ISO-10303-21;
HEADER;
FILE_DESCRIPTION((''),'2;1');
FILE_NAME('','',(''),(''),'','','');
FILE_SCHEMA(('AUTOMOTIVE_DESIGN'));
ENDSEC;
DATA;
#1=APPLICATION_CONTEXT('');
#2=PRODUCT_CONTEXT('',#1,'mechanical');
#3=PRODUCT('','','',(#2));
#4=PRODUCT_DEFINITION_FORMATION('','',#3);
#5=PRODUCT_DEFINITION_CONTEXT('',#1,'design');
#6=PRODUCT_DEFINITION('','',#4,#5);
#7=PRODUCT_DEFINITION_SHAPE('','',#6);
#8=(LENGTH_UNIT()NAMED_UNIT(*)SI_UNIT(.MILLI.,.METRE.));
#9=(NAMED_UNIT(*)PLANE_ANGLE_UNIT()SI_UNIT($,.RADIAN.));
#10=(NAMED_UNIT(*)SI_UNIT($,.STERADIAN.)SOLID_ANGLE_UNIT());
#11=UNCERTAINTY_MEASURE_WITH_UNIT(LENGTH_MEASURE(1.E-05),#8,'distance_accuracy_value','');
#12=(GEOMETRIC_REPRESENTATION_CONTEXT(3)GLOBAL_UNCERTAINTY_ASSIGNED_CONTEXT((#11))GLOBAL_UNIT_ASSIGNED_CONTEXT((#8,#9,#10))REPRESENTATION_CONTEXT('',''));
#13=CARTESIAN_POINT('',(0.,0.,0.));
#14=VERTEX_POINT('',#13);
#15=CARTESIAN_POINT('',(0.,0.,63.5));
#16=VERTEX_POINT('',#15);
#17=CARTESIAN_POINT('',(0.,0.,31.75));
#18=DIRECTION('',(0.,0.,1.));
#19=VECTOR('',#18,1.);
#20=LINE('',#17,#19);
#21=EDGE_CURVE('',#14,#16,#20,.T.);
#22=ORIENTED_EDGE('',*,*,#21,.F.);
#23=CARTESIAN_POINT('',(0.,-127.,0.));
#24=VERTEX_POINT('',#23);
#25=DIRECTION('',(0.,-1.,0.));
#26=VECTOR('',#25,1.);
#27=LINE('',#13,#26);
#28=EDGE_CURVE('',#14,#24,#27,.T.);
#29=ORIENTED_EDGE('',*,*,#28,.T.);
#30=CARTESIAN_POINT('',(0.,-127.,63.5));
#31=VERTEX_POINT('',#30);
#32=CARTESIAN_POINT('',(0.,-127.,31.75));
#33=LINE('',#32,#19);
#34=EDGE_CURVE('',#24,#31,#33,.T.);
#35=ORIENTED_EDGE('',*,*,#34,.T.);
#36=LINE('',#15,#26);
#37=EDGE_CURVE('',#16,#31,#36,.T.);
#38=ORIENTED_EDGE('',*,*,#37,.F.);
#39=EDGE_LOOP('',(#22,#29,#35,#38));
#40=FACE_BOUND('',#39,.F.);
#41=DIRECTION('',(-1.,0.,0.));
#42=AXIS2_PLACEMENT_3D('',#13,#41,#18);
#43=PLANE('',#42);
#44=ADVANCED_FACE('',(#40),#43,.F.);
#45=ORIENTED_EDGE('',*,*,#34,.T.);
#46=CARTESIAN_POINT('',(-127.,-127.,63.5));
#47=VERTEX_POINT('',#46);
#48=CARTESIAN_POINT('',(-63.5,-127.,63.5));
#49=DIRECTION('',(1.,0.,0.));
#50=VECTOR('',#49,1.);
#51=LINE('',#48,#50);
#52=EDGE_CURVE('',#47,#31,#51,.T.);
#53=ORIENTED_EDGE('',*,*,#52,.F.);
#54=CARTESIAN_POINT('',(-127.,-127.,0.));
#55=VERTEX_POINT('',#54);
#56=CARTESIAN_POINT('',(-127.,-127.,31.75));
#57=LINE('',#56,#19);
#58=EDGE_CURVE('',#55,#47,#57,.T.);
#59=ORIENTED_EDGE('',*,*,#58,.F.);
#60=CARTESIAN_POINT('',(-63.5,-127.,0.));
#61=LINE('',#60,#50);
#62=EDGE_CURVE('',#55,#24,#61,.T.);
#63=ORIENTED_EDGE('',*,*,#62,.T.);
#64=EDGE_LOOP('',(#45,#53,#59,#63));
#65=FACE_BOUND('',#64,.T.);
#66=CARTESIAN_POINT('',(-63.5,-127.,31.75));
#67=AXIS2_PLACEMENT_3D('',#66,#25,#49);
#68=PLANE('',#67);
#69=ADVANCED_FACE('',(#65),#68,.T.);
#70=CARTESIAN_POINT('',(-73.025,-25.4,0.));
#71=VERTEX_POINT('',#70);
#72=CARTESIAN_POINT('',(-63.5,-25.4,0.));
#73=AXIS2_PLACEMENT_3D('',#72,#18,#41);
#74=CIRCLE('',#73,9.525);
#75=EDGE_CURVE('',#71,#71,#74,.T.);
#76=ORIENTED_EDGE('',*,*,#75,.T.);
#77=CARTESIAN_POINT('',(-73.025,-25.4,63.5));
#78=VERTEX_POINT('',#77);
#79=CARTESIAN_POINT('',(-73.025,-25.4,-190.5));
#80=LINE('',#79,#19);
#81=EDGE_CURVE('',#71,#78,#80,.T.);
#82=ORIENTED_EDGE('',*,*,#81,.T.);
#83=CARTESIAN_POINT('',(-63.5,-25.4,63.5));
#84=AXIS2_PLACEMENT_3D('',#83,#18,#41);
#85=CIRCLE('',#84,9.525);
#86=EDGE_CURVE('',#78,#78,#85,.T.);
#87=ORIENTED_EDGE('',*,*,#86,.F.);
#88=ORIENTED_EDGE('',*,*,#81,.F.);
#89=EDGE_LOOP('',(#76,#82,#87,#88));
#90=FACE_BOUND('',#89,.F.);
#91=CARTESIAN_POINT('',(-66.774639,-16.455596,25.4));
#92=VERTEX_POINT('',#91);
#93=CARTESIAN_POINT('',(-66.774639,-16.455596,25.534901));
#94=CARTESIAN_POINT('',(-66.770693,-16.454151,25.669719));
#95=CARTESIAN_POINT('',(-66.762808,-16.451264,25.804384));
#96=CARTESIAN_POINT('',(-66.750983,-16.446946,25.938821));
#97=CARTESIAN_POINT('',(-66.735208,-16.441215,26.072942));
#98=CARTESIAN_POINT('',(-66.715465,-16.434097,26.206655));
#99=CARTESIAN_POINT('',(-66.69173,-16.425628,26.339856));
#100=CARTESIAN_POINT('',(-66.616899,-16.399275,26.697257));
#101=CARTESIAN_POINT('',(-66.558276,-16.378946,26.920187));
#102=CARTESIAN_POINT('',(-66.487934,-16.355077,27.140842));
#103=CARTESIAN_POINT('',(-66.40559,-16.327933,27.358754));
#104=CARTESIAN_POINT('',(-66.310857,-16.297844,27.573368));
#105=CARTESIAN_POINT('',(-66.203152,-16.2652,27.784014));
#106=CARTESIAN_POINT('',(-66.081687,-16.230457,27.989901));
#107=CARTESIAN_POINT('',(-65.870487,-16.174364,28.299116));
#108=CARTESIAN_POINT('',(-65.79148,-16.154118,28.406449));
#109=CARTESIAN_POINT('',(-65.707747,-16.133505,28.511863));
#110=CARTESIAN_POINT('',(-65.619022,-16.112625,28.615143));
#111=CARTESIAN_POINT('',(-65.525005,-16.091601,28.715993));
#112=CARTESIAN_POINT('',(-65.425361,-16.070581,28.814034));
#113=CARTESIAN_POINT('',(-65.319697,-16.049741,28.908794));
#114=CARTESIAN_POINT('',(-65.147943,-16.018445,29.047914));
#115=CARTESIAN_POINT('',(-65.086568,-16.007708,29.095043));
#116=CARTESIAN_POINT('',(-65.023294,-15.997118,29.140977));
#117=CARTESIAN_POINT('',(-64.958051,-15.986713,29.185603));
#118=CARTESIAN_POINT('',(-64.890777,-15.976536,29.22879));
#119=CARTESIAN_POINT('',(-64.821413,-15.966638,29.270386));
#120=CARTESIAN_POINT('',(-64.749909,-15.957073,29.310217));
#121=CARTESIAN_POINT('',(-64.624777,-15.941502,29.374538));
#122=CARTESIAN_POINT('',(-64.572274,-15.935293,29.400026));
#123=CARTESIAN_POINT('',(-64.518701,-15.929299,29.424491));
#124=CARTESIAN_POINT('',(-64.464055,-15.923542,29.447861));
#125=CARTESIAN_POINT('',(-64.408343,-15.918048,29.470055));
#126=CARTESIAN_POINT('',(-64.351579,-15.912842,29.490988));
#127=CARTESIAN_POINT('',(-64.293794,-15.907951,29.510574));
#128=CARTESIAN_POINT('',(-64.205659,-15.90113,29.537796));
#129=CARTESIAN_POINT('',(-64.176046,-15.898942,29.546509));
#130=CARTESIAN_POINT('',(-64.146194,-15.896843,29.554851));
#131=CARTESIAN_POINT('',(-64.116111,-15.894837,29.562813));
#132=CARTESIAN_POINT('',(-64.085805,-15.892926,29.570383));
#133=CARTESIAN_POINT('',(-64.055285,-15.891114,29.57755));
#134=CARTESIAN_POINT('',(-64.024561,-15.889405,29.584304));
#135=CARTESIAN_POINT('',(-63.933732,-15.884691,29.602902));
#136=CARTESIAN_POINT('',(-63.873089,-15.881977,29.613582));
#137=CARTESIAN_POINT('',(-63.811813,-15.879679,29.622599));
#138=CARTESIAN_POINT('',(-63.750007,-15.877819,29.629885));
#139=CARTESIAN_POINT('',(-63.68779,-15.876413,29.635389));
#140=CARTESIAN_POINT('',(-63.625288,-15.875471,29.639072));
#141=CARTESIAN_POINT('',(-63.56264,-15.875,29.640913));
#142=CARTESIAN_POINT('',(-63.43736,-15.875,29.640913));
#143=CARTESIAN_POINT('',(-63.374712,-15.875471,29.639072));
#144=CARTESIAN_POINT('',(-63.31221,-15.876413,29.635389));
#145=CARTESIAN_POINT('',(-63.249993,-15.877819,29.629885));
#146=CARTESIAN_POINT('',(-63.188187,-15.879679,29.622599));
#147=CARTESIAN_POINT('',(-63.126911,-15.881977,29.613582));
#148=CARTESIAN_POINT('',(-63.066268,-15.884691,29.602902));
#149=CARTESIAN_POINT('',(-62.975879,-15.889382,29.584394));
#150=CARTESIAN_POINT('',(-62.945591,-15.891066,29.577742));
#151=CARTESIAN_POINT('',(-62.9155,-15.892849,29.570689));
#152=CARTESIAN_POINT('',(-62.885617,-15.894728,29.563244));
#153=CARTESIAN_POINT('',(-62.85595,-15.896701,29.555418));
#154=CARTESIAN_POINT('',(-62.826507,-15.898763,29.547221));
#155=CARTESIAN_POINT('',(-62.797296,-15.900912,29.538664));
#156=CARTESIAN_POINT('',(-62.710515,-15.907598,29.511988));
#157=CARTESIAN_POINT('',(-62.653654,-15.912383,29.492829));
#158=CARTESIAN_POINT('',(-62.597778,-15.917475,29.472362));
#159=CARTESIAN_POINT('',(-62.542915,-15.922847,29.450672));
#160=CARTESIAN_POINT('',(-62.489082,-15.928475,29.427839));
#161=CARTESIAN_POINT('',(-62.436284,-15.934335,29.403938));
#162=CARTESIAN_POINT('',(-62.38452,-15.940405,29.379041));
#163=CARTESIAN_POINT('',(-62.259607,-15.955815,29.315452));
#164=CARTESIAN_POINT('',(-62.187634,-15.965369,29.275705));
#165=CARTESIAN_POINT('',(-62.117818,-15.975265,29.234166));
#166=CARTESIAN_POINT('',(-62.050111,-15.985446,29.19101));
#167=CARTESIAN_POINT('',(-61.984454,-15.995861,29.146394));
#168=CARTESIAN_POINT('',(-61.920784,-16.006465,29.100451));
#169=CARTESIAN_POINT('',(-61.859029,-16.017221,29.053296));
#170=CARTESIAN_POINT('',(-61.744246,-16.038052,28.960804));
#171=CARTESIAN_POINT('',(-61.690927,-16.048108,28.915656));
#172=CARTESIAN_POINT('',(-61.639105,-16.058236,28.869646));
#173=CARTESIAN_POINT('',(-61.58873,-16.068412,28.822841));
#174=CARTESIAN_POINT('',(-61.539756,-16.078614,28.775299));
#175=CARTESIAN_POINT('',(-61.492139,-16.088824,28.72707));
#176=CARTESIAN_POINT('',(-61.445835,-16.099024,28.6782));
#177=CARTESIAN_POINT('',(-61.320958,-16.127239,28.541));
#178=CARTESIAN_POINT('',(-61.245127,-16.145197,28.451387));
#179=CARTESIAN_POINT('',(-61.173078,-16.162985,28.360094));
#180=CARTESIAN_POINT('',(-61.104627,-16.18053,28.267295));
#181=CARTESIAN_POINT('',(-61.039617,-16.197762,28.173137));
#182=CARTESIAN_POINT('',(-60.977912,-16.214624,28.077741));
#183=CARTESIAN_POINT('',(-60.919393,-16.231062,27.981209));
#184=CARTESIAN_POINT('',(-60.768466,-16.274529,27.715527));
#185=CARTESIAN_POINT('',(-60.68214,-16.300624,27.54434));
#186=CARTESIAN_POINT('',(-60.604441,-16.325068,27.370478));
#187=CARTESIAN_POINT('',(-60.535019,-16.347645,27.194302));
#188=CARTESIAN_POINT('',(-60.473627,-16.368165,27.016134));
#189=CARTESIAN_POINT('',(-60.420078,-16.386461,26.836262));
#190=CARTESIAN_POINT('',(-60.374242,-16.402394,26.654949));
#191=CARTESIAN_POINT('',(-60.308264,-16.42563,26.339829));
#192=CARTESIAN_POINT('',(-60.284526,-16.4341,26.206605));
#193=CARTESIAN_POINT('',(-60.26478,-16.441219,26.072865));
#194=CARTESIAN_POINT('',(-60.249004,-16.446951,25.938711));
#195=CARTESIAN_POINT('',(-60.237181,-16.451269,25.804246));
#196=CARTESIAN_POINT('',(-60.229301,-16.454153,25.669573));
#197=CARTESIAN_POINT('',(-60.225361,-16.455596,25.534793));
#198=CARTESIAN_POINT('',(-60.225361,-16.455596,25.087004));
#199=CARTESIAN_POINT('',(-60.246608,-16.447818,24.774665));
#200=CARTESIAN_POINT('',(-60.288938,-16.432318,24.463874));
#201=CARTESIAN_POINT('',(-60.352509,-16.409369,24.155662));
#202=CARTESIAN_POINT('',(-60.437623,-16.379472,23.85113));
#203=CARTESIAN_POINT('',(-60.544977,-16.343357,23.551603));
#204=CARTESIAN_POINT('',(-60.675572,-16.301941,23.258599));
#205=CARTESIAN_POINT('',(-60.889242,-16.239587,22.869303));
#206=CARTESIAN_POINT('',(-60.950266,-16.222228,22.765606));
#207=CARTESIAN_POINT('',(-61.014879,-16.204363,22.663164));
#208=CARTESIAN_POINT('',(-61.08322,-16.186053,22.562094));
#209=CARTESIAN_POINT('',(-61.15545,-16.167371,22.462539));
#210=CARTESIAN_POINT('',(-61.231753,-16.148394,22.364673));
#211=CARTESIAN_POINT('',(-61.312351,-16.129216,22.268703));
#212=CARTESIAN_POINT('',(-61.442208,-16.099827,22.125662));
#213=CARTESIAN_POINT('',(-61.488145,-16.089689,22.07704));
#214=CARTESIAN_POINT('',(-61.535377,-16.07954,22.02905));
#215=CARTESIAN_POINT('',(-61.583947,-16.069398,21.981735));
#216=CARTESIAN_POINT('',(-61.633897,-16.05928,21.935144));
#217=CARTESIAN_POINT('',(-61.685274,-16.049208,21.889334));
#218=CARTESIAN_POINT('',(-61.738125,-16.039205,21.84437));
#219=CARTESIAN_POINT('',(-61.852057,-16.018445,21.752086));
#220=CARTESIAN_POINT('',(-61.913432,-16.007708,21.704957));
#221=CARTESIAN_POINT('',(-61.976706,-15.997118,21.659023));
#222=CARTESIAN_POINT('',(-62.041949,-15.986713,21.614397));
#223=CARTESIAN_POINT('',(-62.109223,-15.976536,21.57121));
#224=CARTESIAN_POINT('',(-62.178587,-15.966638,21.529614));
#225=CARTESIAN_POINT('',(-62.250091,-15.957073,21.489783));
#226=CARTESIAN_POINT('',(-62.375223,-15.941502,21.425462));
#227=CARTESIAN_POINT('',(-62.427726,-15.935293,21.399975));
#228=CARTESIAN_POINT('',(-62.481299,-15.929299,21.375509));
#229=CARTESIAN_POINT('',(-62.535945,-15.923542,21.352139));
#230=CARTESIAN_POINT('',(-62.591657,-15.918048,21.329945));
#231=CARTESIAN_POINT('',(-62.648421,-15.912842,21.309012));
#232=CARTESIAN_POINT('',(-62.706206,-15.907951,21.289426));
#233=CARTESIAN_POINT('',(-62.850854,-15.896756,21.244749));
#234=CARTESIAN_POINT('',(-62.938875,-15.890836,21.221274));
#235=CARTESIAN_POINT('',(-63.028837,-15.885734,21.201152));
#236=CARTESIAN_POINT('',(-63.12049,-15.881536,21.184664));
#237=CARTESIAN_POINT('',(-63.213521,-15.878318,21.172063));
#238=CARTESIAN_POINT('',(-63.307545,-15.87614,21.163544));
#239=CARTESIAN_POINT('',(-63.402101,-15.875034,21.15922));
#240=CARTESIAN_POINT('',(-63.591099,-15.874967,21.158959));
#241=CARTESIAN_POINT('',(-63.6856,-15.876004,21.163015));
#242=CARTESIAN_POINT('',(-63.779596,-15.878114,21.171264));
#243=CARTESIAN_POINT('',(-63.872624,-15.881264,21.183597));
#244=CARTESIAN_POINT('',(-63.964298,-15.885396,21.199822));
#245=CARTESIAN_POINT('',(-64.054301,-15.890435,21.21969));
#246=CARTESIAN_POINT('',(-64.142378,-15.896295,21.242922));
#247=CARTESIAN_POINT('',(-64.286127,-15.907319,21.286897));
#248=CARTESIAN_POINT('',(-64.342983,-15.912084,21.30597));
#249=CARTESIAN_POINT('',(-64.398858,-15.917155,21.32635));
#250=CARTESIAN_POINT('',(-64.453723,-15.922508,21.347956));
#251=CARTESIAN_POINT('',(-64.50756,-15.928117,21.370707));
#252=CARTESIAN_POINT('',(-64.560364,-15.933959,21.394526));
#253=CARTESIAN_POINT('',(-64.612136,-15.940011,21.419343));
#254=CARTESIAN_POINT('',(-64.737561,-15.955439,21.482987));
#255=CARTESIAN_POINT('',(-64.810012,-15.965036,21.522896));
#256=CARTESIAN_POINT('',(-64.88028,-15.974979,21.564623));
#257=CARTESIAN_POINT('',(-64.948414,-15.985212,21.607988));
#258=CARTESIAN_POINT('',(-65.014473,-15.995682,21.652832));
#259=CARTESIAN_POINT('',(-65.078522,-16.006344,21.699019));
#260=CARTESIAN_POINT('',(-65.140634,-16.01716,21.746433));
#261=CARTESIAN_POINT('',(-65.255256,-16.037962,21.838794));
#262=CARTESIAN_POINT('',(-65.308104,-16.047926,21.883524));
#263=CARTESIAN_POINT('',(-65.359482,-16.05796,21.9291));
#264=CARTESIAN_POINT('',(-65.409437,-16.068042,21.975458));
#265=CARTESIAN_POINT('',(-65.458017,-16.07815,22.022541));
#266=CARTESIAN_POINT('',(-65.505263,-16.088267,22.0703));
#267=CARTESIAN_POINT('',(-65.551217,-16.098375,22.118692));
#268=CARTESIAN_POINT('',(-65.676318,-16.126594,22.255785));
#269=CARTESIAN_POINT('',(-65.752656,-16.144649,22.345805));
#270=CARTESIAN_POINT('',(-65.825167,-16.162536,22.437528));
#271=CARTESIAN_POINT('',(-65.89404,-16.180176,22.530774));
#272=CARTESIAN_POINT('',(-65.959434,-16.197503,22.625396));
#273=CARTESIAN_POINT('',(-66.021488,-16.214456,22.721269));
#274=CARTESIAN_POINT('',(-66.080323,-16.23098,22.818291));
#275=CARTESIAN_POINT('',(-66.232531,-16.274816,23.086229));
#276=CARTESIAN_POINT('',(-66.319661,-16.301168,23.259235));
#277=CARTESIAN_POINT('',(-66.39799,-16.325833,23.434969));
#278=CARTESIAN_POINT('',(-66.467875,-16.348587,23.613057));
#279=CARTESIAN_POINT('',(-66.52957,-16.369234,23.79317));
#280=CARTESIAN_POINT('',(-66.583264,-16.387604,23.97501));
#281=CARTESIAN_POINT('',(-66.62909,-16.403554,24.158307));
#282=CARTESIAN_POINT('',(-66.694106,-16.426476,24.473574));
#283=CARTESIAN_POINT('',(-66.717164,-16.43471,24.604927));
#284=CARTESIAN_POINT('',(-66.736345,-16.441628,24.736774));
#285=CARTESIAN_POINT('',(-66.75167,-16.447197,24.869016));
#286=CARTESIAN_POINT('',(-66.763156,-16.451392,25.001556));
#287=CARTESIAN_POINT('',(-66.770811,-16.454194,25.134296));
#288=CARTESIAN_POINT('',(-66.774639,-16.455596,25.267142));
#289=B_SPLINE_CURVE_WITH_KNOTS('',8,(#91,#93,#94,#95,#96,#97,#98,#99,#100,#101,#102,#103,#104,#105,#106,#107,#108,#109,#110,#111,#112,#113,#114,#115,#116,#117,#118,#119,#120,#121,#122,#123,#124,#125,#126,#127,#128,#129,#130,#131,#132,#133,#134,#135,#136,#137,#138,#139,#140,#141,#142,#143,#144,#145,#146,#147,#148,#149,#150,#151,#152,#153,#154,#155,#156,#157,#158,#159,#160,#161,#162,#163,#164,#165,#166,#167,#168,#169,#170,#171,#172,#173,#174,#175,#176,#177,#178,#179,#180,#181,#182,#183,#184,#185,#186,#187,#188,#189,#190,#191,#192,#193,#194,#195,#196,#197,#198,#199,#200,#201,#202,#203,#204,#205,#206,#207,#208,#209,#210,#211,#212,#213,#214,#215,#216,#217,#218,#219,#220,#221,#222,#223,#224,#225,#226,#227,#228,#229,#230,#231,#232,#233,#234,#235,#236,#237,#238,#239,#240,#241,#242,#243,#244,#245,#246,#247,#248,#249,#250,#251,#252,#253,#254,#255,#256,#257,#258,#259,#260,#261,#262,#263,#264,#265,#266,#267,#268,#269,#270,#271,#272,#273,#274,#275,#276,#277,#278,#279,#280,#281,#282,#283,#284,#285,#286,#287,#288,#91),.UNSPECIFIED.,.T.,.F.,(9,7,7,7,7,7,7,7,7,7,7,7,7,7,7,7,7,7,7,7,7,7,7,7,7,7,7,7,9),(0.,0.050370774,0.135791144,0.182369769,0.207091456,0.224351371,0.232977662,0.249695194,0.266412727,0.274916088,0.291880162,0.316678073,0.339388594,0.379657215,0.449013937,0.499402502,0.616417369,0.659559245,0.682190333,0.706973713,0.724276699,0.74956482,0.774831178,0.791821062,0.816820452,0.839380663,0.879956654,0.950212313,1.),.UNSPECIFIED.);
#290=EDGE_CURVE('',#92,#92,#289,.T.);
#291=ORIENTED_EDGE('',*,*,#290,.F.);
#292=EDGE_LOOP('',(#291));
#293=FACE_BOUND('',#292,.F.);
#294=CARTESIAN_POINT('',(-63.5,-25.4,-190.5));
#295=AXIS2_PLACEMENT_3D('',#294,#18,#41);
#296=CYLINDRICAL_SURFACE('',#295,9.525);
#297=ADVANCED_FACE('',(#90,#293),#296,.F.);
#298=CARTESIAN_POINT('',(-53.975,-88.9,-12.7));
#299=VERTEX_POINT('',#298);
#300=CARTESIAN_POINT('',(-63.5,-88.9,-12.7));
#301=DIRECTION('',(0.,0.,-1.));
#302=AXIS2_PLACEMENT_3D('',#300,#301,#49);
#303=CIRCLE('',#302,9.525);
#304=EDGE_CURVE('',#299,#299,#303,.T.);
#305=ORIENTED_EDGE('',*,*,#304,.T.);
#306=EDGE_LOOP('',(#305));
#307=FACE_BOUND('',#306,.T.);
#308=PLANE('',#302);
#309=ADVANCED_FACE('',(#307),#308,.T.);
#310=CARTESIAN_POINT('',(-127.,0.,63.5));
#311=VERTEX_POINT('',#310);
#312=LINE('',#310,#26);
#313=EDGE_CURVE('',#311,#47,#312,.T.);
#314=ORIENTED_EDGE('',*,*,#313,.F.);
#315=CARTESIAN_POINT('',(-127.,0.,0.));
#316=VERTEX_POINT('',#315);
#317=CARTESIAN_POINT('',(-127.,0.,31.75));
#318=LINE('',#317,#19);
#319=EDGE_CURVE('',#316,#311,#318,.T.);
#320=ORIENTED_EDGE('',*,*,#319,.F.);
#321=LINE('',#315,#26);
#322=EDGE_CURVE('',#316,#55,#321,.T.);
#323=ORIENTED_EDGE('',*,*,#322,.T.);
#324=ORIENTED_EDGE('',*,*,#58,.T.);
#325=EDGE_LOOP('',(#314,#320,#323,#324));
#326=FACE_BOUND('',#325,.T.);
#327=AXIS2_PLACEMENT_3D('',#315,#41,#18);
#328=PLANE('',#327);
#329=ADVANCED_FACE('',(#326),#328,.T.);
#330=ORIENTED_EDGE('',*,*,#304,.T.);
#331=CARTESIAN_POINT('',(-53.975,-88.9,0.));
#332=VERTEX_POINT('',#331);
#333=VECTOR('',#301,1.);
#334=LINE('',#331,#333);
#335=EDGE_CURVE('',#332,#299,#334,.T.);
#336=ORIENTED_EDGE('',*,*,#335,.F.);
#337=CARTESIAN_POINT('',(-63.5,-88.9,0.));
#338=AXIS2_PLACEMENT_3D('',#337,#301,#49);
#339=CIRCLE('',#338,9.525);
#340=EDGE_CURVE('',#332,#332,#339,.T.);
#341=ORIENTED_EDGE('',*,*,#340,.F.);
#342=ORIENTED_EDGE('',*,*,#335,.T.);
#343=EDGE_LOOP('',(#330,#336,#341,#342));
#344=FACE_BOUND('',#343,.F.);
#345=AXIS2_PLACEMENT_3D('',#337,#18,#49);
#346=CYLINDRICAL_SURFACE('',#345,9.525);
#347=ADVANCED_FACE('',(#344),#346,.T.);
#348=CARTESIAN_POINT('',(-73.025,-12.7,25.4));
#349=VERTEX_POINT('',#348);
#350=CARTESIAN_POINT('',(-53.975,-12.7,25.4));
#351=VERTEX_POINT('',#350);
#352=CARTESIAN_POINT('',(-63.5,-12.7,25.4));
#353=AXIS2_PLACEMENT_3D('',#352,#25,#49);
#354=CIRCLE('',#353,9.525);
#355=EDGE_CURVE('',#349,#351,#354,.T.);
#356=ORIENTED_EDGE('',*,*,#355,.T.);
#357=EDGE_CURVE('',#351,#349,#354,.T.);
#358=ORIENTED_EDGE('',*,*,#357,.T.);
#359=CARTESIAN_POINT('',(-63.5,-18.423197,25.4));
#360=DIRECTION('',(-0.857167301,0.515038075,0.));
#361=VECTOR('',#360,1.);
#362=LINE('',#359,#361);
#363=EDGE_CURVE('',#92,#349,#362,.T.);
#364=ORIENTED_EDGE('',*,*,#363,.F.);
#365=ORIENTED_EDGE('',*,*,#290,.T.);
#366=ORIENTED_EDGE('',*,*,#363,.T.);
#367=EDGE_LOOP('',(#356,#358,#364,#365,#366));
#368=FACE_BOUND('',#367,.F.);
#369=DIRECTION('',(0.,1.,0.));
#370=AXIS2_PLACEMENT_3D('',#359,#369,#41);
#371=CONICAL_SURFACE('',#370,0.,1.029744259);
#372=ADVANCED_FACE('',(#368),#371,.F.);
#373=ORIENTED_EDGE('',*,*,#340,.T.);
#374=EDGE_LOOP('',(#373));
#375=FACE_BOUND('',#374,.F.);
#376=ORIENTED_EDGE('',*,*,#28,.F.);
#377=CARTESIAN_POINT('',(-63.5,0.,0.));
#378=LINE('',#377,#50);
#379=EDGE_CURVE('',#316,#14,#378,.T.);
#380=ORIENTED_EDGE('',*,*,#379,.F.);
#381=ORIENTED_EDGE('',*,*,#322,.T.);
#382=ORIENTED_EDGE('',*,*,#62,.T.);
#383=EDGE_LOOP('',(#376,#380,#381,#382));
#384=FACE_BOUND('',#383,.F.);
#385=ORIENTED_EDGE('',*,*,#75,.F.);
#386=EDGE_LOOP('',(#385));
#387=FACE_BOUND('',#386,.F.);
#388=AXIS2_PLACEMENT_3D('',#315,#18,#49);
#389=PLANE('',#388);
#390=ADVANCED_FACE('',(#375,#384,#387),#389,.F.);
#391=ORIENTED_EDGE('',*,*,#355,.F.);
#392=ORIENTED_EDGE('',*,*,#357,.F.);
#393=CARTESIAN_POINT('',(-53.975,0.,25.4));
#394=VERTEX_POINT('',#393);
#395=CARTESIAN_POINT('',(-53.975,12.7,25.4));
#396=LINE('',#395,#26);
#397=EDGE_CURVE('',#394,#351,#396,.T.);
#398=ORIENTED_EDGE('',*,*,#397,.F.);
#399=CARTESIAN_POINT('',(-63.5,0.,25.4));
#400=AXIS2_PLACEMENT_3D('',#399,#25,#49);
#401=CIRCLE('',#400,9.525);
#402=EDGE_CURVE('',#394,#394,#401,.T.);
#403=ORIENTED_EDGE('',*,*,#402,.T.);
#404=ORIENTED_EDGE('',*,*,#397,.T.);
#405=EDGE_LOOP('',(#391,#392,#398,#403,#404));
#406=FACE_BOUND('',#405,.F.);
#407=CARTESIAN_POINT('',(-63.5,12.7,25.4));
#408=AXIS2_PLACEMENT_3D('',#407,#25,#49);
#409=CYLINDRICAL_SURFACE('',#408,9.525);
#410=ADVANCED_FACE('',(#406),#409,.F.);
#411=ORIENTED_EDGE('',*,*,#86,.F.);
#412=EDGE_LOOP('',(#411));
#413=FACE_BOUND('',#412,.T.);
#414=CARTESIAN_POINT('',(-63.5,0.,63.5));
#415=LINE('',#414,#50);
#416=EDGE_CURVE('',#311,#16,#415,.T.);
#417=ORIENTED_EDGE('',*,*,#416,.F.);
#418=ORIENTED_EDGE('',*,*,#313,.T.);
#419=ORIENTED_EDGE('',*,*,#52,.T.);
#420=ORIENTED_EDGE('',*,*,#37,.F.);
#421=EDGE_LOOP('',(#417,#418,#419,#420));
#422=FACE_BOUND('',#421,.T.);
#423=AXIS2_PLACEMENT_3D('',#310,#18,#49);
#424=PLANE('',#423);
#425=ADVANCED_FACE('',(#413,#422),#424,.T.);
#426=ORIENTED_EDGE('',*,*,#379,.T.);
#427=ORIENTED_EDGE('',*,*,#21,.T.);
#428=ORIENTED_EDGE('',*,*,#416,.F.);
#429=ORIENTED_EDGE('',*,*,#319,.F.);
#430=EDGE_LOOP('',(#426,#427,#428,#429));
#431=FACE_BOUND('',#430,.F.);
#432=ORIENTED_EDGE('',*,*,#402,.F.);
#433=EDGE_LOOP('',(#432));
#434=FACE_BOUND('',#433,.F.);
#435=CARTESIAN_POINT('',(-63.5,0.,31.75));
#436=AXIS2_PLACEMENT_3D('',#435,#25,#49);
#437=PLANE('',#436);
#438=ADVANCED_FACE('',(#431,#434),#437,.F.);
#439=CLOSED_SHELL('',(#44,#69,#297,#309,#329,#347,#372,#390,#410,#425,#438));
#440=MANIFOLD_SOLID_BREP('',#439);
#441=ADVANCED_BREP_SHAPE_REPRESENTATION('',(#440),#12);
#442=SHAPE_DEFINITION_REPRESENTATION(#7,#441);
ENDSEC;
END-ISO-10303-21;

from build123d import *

# Parameters (mm, degrees)
F0_W     = 127
F0_H     = 63.5
F1_DEPTH = 127
F3_D     = 19.05
F4_R     = 9.525
F5_DEPTH = 12.7
F7_D     = 19.05
F7_DEPTH = 12.7
F7_TIP   = 5.7231973962


with BuildPart() as f1:
    # F0 (on Front) → F1 (new body)
    with BuildSketch(Plane.XZ):
        with Locations((-63.5, 31.75)):
            Rectangle(F0_W, F0_H)
    extrude(amount=F1_DEPTH)

    # F3 (through all)
    with Locations(Plane(origin=(0, 0, 0), x_dir=(1, 0, 0), z_dir=(0, 0, -1))):
        with Locations((-63.5, 25.4)):
            Hole(F3_D / 2)

    # F4 (on face) → F5 (join)
    with BuildSketch(Plane(origin=(0, 0, 0), x_dir=(1, 0, 0), z_dir=(0, 0, -1))):
        with Locations((-63.5, 88.9)):
            Circle(F4_R)
    extrude(amount=F5_DEPTH)

    # F7
    with Locations(Plane(origin=(0, 0, 0), x_dir=(-1, 0, 0), z_dir=(0, 1, 0))):
        with Locations((63.5, 25.4)):
            Hole(F7_D / 2, depth=F7_DEPTH)
            with Locations((0, 0, -(F7_DEPTH + F7_TIP / 2))):  # 118° drill point
                Cone(0, F7_D / 2, F7_TIP, mode=Mode.SUBTRACT)


solid = f1.part
